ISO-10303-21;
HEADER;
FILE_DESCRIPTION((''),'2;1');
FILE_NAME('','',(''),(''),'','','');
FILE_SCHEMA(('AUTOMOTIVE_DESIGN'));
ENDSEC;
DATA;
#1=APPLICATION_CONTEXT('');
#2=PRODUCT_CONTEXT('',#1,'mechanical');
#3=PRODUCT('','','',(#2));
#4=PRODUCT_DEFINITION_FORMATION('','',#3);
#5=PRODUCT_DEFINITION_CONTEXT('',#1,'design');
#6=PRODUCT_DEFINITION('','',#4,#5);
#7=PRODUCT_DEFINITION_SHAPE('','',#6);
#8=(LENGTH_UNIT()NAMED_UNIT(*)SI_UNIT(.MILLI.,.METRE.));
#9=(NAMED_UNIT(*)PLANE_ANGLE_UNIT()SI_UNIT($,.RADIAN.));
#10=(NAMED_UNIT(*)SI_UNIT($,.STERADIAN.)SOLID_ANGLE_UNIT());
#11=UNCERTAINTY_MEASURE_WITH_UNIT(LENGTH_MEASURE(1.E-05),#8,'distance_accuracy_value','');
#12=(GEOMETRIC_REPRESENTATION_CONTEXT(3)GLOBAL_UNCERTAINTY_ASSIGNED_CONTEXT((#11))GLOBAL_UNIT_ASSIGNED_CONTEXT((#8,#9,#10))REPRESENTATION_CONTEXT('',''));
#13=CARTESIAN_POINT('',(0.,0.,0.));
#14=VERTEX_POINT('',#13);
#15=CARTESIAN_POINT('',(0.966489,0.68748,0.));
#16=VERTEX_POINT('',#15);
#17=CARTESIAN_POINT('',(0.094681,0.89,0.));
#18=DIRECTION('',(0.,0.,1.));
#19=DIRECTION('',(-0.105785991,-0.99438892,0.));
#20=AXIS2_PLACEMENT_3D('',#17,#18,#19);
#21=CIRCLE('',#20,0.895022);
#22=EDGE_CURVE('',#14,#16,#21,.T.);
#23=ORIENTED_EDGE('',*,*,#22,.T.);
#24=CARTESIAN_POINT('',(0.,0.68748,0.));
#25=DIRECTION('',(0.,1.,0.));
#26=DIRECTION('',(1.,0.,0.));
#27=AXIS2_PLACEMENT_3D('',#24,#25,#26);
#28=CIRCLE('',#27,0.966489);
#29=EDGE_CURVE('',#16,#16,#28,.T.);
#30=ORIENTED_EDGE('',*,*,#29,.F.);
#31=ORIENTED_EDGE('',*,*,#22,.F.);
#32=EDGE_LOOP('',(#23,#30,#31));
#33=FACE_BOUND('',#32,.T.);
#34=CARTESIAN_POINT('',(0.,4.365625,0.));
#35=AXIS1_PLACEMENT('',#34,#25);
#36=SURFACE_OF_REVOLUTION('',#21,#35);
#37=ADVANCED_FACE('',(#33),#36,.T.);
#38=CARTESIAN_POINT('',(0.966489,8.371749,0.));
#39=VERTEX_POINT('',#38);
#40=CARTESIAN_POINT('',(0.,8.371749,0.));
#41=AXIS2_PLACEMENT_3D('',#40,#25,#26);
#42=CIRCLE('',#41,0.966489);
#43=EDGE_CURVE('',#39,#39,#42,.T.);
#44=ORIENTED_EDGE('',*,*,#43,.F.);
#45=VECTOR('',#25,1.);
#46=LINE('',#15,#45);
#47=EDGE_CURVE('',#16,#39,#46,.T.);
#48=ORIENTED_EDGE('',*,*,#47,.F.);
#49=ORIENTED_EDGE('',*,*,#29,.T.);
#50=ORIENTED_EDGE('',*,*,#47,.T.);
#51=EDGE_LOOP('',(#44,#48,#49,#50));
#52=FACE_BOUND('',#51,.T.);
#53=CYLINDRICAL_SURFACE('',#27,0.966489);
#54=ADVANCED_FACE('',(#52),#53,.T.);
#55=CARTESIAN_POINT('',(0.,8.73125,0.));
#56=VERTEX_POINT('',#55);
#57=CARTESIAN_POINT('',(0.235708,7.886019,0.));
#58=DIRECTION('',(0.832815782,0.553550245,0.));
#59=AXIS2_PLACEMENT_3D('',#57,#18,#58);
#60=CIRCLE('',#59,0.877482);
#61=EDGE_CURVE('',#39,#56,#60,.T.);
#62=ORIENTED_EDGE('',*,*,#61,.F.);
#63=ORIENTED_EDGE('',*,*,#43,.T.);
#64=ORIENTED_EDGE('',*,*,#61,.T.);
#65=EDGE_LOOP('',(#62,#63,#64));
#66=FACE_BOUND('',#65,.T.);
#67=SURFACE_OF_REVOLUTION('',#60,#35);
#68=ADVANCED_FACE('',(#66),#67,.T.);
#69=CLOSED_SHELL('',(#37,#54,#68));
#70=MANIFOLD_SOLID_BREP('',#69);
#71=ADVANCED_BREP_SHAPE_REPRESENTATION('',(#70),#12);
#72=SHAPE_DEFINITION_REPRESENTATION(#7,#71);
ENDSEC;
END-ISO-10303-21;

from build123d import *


with BuildPart() as f1:
    # F0 (on Top) → F1 (revolve)
    with BuildSketch(Plane.XY):
        with BuildLine():
            Line((0, 8.73125), (0, 0))
            ThreePointArc((0, 0), (0.613467, 0.160668), (0.966489, 0.68748))
            Line((0.966489, 0.68748), (0.966489, 8.371749))
            ThreePointArc((0.966489, 8.371749), (0.541624, 8.708448), (0, 8.73125))
        make_face()
    revolve(axis=Axis((0, 4.365625, 0), (0, 1, 0)))


solid = f1.part
